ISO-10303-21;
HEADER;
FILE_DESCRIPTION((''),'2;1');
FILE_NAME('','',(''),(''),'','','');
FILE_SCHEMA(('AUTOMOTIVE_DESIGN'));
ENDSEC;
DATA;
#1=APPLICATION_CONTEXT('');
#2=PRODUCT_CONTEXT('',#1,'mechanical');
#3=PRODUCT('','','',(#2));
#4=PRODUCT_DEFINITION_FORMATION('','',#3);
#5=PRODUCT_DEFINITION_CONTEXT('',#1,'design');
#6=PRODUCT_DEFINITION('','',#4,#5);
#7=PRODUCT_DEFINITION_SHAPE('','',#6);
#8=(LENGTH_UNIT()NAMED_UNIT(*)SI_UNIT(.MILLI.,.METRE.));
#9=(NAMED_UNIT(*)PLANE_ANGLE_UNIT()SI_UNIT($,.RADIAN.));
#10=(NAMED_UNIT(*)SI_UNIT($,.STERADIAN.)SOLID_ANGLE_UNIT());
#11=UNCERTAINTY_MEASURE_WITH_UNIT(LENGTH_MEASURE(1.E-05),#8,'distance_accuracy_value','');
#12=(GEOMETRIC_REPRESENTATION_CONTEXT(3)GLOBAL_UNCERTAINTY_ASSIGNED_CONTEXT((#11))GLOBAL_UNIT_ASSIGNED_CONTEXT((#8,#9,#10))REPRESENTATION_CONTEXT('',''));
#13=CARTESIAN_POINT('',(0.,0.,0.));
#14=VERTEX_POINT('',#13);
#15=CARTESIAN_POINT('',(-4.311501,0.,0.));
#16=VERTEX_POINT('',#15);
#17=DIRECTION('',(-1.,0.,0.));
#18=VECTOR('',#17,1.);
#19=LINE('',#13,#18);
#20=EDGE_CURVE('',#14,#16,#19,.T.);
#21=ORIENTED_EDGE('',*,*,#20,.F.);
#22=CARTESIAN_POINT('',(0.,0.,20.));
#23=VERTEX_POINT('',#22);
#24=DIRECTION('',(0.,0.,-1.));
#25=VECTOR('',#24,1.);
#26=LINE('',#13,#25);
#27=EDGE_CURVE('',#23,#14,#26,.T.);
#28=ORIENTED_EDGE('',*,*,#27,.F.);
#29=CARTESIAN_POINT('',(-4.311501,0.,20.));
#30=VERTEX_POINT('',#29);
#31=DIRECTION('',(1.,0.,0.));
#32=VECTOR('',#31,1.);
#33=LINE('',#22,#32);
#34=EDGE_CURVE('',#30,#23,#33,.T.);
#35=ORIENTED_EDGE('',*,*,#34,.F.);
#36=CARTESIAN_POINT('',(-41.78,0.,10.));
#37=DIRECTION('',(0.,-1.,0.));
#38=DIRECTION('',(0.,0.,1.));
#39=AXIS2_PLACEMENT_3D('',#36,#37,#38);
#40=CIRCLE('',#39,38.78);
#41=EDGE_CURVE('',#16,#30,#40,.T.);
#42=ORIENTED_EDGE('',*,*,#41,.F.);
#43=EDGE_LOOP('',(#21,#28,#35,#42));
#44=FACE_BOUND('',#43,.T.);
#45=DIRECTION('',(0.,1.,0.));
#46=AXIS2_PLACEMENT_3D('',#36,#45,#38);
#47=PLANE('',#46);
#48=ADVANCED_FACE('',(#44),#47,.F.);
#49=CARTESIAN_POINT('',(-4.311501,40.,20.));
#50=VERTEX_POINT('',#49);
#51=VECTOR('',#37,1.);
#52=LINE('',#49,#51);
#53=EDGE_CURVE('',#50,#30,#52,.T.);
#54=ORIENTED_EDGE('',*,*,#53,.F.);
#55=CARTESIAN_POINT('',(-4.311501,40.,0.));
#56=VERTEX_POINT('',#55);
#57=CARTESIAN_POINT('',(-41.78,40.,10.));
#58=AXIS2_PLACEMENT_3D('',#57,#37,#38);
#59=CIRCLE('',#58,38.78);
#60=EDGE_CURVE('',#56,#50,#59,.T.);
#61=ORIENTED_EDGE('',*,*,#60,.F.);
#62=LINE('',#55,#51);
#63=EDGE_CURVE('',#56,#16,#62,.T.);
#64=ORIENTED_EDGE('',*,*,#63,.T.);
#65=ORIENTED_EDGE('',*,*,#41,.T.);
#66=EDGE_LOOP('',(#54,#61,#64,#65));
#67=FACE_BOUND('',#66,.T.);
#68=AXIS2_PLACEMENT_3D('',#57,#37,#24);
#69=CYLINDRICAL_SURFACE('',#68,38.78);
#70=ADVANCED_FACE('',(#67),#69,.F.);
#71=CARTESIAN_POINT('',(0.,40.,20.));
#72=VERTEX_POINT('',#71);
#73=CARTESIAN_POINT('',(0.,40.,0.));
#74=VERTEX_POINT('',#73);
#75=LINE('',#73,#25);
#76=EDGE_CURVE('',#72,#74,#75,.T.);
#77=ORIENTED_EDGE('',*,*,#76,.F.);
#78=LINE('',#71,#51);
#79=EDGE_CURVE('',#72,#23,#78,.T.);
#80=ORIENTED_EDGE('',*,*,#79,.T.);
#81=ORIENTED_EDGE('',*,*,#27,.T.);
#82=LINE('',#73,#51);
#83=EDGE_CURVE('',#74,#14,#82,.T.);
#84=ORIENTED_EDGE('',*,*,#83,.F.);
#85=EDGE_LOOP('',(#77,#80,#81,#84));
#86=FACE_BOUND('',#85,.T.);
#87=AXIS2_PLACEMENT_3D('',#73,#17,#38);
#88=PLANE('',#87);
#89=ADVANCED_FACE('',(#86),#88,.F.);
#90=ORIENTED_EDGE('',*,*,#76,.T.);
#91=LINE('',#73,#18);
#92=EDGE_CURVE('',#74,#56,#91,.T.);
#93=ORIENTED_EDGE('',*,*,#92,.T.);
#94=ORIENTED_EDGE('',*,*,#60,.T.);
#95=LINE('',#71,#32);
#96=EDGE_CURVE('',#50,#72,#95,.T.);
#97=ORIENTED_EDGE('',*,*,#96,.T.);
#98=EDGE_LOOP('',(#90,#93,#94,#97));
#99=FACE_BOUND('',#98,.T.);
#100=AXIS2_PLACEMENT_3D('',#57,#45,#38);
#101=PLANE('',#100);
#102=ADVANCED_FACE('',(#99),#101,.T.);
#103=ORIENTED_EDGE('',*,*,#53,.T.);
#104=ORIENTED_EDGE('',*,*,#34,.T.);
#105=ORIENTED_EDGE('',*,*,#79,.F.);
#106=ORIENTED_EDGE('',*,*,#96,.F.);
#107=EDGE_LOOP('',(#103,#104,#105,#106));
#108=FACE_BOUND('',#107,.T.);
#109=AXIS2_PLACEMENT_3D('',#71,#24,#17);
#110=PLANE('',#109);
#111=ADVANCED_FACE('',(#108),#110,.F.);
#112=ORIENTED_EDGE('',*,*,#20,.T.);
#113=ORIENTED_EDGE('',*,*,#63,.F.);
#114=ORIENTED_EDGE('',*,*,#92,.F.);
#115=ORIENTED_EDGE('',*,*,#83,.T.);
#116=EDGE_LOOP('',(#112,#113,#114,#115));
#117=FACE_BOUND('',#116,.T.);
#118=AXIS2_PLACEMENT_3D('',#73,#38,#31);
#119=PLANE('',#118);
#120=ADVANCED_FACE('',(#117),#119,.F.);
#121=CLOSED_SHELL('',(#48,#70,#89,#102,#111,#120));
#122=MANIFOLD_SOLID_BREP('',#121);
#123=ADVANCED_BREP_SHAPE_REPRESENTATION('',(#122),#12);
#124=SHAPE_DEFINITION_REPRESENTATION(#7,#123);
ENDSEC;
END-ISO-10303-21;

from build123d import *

# Parameters (mm, degrees)
EXTRUDE_1_DEPTH = 40


with BuildPart() as part:
    # 草图1 → 凸台-拉伸1 (new body)
    with BuildSketch(Plane(origin=(0, 0, 0), x_dir=(1, 0, 0), z_dir=(0, 1, 0))):
        with BuildLine():
            Line((0, 0), (0, -20))
            Line((0, -20), (-4.311501231, -20))
            ThreePointArc((-4.311501231, -20), (-3, -10), (-4.311501231, 0))
            Line((-4.311501231, 0), (0, 0))
        make_face()
    extrude(amount=EXTRUDE_1_DEPTH)


solid = part.part
